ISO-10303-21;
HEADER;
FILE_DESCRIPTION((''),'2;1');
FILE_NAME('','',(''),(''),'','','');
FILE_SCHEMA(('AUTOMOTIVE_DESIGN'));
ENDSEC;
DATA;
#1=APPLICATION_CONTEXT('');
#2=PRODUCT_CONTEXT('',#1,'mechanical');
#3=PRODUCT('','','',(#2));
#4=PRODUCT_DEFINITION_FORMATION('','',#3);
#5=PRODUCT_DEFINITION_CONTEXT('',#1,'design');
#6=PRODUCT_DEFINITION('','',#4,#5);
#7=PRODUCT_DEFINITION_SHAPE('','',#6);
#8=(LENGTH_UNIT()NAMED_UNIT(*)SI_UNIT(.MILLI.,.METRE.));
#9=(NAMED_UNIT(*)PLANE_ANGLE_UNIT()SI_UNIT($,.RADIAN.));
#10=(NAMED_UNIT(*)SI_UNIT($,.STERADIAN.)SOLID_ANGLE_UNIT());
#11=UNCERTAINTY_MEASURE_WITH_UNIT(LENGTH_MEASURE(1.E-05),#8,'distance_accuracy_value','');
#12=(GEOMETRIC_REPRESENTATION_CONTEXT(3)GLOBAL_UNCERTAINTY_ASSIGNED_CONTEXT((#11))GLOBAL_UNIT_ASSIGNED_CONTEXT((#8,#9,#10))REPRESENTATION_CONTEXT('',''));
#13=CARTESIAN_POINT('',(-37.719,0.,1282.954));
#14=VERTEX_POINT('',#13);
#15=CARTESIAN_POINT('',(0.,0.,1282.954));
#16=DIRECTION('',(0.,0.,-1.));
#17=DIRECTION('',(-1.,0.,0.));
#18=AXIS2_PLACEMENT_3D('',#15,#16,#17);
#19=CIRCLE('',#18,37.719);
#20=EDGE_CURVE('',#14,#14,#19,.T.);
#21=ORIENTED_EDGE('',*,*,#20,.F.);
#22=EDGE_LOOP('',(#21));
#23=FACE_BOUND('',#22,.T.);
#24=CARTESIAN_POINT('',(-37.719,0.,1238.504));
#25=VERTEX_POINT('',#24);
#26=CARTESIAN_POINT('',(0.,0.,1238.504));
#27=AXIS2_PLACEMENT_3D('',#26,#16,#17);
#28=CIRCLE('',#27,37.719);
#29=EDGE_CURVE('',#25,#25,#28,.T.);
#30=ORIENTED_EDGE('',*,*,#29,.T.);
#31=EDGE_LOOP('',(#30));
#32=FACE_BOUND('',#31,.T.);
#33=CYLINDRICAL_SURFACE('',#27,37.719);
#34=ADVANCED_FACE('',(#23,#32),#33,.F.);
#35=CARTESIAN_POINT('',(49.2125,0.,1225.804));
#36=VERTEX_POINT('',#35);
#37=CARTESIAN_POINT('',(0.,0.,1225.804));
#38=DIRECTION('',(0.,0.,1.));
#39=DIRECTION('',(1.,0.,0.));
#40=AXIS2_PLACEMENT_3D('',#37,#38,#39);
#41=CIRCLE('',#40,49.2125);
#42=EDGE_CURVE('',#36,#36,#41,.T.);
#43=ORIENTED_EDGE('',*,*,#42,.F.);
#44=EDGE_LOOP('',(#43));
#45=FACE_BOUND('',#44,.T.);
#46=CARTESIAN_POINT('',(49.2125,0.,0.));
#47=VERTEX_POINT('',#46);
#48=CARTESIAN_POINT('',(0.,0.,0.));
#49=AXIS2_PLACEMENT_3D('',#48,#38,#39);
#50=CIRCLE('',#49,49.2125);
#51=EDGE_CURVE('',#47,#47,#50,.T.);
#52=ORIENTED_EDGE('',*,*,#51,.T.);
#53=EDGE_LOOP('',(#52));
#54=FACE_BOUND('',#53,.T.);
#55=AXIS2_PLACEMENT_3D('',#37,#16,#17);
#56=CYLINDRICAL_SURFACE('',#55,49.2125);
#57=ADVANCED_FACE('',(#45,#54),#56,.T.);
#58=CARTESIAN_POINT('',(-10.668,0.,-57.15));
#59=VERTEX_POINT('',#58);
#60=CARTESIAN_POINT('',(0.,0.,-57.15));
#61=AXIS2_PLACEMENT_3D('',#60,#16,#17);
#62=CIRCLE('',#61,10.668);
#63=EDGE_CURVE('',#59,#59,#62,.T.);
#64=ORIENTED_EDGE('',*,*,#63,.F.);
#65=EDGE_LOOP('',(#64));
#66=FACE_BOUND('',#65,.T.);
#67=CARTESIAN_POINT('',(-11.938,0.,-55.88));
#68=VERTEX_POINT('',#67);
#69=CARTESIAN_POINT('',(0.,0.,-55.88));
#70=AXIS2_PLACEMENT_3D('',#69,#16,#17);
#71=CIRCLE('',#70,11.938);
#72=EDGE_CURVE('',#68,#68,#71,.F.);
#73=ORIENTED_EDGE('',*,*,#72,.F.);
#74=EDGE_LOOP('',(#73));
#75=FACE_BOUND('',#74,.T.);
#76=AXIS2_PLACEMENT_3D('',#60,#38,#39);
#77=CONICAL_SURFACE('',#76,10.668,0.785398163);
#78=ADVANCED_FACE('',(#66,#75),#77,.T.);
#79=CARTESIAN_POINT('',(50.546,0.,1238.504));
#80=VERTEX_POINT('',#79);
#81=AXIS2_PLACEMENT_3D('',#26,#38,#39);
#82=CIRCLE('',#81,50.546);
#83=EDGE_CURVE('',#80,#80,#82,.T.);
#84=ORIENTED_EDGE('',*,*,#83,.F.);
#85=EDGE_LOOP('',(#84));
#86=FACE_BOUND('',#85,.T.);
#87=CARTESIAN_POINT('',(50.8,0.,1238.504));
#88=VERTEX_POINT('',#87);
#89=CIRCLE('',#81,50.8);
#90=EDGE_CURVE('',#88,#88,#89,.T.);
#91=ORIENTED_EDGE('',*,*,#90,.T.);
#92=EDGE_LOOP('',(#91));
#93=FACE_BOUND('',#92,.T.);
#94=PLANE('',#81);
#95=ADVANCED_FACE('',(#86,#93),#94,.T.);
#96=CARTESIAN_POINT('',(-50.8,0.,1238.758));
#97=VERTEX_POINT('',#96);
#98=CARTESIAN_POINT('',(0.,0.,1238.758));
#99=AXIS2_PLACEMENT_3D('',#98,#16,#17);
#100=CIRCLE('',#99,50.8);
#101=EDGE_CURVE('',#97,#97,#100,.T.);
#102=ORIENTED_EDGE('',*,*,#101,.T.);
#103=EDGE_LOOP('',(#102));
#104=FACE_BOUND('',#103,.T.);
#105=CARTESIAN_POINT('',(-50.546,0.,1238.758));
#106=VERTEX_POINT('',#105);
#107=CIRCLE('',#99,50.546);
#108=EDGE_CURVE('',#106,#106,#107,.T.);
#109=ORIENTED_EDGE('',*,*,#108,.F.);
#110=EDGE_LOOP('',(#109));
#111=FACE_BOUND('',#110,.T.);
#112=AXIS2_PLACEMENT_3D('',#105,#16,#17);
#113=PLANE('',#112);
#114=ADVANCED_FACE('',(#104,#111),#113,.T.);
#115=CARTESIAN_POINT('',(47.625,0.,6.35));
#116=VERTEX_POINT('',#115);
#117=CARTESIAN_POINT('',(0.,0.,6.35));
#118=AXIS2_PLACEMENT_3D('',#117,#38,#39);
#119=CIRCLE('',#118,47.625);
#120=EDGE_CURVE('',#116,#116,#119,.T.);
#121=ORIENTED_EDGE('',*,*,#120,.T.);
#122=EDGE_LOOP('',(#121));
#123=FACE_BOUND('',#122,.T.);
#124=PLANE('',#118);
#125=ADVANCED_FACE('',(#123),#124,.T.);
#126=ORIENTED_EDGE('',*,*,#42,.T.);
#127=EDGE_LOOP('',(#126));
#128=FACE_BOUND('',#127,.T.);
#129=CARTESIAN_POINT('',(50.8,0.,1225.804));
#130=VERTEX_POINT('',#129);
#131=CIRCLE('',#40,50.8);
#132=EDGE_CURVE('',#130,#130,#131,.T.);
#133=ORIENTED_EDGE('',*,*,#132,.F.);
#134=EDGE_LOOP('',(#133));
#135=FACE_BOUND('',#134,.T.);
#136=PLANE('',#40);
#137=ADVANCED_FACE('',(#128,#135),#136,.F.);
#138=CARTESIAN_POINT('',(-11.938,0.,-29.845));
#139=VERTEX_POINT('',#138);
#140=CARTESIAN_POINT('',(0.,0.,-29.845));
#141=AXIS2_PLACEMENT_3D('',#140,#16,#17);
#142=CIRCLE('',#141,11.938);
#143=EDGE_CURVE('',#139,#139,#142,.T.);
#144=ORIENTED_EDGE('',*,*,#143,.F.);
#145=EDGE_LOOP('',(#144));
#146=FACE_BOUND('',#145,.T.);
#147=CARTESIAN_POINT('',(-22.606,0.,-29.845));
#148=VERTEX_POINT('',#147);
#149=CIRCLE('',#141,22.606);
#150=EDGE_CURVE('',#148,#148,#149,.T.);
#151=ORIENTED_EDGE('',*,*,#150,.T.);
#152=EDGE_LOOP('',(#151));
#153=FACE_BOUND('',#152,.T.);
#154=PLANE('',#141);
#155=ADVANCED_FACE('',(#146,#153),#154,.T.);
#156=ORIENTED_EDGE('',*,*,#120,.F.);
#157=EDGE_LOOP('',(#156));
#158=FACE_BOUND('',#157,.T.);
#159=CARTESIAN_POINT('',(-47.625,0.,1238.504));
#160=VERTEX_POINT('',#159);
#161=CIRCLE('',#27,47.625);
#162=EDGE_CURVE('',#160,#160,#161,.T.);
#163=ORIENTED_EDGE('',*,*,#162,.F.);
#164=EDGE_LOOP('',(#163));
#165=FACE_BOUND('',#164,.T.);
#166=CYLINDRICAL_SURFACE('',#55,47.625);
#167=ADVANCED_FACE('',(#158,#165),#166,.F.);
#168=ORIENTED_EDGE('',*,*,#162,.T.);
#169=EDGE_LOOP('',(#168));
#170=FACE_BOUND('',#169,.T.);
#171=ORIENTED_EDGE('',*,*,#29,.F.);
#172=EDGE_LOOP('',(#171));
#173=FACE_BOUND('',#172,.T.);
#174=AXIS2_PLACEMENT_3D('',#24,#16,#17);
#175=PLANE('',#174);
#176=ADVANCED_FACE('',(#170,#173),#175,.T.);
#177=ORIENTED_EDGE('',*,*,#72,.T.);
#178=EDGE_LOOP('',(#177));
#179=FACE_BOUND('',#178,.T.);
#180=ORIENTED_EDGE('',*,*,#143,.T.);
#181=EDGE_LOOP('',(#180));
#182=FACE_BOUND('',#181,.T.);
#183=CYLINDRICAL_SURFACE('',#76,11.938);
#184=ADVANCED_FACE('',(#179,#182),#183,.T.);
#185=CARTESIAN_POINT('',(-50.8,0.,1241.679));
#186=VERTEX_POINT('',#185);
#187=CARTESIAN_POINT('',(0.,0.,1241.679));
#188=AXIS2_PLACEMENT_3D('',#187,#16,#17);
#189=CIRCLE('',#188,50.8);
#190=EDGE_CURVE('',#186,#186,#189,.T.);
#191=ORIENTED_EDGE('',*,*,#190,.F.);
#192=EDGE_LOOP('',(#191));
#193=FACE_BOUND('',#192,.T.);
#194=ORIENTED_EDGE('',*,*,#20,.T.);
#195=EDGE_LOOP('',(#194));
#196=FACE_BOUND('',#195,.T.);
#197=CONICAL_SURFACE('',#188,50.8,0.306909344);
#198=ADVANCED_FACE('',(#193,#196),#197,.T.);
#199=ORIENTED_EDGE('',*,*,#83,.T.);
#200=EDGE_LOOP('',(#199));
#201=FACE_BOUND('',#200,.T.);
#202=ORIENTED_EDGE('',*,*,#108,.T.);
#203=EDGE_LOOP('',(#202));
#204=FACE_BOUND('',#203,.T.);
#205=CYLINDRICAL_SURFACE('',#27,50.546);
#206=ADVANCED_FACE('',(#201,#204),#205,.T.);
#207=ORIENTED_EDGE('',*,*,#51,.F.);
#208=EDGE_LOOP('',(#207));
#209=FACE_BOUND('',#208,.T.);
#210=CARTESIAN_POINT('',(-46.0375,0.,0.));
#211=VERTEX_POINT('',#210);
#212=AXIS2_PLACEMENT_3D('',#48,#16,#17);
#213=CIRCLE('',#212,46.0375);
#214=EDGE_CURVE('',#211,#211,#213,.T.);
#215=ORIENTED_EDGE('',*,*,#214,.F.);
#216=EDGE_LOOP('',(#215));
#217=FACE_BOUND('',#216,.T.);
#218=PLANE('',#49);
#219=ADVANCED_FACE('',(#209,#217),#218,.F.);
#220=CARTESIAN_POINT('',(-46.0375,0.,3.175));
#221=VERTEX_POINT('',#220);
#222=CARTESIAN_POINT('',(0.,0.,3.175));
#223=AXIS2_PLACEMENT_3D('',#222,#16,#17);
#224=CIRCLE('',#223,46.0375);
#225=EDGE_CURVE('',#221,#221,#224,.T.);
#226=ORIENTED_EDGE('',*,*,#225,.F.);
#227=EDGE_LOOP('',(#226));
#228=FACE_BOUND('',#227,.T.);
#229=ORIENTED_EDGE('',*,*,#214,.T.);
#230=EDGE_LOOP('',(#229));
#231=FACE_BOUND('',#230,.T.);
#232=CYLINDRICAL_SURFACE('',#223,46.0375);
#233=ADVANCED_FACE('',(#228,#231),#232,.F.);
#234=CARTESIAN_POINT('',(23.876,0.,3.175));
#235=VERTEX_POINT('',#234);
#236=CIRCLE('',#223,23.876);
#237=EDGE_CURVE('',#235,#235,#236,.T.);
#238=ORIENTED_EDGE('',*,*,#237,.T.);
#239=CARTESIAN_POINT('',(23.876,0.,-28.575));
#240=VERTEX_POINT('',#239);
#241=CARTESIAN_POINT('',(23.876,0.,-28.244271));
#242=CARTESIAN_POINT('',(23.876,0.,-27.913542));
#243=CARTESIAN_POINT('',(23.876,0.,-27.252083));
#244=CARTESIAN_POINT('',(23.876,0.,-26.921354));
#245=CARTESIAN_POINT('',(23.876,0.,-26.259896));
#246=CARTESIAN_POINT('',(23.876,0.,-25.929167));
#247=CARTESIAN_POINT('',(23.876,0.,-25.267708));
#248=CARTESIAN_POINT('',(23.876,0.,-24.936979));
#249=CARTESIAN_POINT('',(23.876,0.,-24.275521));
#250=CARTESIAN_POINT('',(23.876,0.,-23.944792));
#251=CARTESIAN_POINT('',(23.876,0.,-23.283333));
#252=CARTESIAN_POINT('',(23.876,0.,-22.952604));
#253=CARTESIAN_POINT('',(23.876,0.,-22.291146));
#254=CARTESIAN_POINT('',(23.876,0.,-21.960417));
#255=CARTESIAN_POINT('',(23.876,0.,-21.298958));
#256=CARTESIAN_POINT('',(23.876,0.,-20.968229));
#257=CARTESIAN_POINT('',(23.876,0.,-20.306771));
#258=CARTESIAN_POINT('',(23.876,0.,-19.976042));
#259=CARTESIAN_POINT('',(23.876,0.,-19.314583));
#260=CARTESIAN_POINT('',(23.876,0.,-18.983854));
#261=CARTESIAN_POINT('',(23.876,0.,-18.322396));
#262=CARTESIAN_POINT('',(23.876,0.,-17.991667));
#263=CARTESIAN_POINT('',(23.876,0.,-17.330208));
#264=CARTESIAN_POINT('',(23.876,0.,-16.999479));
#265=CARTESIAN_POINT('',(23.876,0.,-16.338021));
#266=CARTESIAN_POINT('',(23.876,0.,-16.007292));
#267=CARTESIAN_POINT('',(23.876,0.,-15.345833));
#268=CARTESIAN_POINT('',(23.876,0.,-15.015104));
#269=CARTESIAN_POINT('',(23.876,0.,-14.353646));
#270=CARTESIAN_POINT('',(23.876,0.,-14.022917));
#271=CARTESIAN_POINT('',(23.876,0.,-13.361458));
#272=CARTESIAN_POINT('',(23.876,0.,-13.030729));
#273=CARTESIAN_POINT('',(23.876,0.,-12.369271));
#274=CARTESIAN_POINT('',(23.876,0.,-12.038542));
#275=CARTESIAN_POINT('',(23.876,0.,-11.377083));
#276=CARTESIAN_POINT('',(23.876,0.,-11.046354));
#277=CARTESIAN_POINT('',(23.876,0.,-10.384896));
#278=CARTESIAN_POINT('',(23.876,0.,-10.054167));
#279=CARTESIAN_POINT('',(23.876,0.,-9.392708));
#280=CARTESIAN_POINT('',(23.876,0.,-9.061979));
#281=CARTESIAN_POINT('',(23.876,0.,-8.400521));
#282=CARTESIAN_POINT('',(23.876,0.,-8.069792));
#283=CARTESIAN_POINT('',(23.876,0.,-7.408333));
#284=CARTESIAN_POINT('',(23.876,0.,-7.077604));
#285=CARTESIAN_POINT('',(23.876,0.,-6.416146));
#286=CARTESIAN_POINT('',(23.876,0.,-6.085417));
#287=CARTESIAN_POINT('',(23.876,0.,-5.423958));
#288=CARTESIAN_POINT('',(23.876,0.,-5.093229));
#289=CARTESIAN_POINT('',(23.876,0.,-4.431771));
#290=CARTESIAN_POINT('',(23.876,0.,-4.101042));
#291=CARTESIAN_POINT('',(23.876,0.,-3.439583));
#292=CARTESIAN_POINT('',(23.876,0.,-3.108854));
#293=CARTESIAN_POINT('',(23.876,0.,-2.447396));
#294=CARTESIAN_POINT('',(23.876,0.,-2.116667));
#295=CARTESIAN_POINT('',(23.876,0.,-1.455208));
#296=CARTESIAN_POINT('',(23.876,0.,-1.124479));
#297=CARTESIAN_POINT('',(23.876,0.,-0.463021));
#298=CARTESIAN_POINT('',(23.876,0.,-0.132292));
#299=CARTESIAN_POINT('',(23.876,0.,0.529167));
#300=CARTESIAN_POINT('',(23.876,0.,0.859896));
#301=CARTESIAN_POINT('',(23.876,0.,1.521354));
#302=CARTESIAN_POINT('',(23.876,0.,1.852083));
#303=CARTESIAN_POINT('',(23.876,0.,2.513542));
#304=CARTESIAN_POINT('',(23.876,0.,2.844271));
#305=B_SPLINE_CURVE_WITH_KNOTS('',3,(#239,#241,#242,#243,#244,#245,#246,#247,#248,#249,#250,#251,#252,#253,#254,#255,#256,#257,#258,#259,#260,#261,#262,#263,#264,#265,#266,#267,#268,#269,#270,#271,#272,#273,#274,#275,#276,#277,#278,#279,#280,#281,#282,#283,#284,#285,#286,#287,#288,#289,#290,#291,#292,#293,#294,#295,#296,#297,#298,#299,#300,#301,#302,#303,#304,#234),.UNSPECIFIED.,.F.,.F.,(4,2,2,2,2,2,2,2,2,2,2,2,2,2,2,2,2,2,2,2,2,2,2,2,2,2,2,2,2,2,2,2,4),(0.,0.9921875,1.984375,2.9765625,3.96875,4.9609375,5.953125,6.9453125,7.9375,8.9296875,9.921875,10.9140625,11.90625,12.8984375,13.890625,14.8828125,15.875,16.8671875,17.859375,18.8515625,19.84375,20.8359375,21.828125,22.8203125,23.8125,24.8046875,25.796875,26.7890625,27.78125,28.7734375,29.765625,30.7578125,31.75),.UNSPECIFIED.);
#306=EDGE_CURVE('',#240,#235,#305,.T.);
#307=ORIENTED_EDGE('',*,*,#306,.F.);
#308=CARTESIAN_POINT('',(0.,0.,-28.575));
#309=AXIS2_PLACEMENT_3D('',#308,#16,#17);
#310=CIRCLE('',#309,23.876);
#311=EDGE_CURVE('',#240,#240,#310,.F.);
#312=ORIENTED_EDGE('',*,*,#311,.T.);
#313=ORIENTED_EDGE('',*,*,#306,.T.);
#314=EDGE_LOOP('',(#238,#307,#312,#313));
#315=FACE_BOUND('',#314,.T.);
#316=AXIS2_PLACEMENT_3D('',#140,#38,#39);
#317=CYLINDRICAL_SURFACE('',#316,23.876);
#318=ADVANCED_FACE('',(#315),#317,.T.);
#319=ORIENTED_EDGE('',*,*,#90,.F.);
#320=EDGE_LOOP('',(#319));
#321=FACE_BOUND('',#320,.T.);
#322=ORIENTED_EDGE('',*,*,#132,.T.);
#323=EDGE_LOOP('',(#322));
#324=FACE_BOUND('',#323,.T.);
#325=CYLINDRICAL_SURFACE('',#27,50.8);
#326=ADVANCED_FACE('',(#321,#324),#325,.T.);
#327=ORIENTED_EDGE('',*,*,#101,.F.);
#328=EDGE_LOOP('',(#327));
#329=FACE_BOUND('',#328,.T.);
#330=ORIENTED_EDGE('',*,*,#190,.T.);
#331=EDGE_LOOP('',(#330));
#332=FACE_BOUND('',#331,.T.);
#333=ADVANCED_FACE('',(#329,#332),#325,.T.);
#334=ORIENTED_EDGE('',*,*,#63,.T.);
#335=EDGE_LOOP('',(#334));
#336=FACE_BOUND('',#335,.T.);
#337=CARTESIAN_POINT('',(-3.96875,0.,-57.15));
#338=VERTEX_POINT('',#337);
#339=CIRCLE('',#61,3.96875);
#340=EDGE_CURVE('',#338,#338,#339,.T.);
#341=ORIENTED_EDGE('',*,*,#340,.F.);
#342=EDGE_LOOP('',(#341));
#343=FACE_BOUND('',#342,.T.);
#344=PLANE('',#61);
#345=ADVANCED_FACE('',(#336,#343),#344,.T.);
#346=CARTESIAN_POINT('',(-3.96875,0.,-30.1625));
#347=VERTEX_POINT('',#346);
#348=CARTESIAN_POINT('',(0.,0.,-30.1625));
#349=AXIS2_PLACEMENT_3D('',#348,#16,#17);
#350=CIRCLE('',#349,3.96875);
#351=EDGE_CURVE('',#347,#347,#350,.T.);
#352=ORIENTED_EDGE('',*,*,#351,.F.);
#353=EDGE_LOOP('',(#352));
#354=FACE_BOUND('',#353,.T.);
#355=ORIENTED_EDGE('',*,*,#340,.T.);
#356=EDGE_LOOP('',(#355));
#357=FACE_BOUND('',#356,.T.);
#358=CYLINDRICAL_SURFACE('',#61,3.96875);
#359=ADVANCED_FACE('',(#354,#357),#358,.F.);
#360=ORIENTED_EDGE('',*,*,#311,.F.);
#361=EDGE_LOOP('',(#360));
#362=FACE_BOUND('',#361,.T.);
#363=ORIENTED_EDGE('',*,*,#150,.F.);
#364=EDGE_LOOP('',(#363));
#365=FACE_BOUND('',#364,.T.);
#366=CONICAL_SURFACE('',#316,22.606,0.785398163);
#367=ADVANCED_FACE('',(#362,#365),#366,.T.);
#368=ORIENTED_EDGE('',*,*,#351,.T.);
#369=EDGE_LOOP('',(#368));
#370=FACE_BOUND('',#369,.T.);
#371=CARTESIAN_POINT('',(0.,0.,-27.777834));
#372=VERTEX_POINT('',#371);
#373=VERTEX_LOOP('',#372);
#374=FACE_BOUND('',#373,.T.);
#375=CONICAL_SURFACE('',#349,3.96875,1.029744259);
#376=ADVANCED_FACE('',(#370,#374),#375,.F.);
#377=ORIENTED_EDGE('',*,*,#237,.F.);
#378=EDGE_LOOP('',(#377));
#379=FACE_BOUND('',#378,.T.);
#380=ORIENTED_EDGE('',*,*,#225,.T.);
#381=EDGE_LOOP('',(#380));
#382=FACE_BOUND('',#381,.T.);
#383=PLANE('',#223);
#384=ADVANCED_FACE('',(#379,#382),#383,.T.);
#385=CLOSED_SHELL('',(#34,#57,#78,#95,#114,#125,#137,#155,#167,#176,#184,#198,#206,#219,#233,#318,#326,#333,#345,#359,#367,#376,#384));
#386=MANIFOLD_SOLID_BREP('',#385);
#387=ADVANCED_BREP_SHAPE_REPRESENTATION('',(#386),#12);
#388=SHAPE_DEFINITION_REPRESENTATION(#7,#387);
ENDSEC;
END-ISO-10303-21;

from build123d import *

# Parameters (mm, degrees)
SKETCH1_R                   = 49.2125
SKETCH1_R_2                 = 47.625
BOSS_EXTRUDE1_DEPTH         = 1225.804
SKETCH2_R                   = 50.8
SKETCH2_R_2                 = 47.625
BOSS_EXTRUDE2_DEPTH         = 12.7
SKETCH3_R                   = 47.625
BOSS_EXTRUDE3_DEPTH         = 6.35
SKETCH4_R                   = 23.876
BOSS_EXTRUDE4_DEPTH         = 29.845
SKETCH5_R                   = 11.938
BOSS_EXTRUDE5_DEPTH         = 27.305
CHAMFER1_SIZE               = 1.27
F_3_8_16_TAPPED_HOLE1_D     = 7.9375
F_3_8_16_TAPPED_HOLE1_DEPTH = 26.9875
F_3_8_16_TAPPED_HOLE1_TIP   = 2.384665582
CUT_EXTRUDE1_START          = -3.175
SKETCH8_R                   = 46.0375
SKETCH8_R_2                 = 23.876
CUT_EXTRUDE1_DEPTH          = 3.175


with BuildPart() as part:
    # Sketch1 → Boss-Extrude1 (new body)
    with BuildSketch(Plane.XY):
        Circle(SKETCH1_R)
        Circle(SKETCH1_R_2, mode=Mode.SUBTRACT)
    extrude(amount=BOSS_EXTRUDE1_DEPTH)

    # Sketch2 → Boss-Extrude2 (add)
    with BuildSketch(Plane.XY.offset(1225.804)):
        Circle(SKETCH2_R)
        Circle(SKETCH2_R_2, mode=Mode.SUBTRACT)
    extrude(amount=BOSS_EXTRUDE2_DEPTH)

    # Sketch3 → Boss-Extrude3 (add)
    with BuildSketch(Plane.XY):
        Circle(SKETCH3_R)
    extrude(amount=BOSS_EXTRUDE3_DEPTH)

    # Sketch4 → Boss-Extrude4 (add)
    with BuildSketch(Plane(origin=(0, 0, 0), x_dir=(-1, 0, 0), z_dir=(0, 0, -1))):
        with Locations(Location((0, 0, 0), (0, 0, 180))):
            Circle(SKETCH4_R)
    extrude(amount=BOSS_EXTRUDE4_DEPTH)

    # Sketch5 → Boss-Extrude5 (add)
    with BuildSketch(Plane(origin=(0, 0, -29.845), x_dir=(-1, 0, 0), z_dir=(0, 0, -1))):
        Circle(SKETCH5_R)
    extrude(amount=BOSS_EXTRUDE5_DEPTH)

    # Chamfer1
    chamfer1_edges = [part.edges().sort_by_distance(p)[0] for p in [
        (-23.876, 0, -29.845),
        (11.938, 0, -57.15),
    ]]
    chamfer(chamfer1_edges, length=CHAMFER1_SIZE)

    # 3/8-16 Tapped Hole1
    with Locations(Plane(origin=(0, 0, -57.15), x_dir=(-1, 0, 0), z_dir=(0, 0, -1))):
        with Locations((0, 0)):
            Hole(F_3_8_16_TAPPED_HOLE1_D / 2, depth=F_3_8_16_TAPPED_HOLE1_DEPTH)
            with Locations((0, 0, -(F_3_8_16_TAPPED_HOLE1_DEPTH + F_3_8_16_TAPPED_HOLE1_TIP / 2))):  # 118° drill point
                Cone(0, F_3_8_16_TAPPED_HOLE1_D / 2, F_3_8_16_TAPPED_HOLE1_TIP, mode=Mode.SUBTRACT)

    # Sketch8 → Cut-Extrude1 (cut)
    with BuildSketch(Plane(origin=(0, 0, 0), x_dir=(-1, 0, 0), z_dir=(0, 0, -1)).offset(CUT_EXTRUDE1_START)):
        Circle(SKETCH8_R)
        with Locations(Location((0, 0, 0), (0, 0, 180))):
            Circle(SKETCH8_R_2, mode=Mode.SUBTRACT)
    extrude(amount=CUT_EXTRUDE1_DEPTH, mode=Mode.SUBTRACT)

    # Sketch9 → Revolve1 (revolve)
    with BuildSketch(Plane(origin=(0, 0, 0), x_dir=(1, 0, 0), z_dir=(0, 1, 0))):
        Polygon((-50.8, -1238.758), (-50.8, -1241.679), (-37.719, -1282.954), (-37.719, -1238.504), (-50.546, -1238.504), (-50.546, -1238.758), align=None)
    revolve(axis=Axis((0, 0, 1238.504), (0, 0, 1)))


solid = part.part
